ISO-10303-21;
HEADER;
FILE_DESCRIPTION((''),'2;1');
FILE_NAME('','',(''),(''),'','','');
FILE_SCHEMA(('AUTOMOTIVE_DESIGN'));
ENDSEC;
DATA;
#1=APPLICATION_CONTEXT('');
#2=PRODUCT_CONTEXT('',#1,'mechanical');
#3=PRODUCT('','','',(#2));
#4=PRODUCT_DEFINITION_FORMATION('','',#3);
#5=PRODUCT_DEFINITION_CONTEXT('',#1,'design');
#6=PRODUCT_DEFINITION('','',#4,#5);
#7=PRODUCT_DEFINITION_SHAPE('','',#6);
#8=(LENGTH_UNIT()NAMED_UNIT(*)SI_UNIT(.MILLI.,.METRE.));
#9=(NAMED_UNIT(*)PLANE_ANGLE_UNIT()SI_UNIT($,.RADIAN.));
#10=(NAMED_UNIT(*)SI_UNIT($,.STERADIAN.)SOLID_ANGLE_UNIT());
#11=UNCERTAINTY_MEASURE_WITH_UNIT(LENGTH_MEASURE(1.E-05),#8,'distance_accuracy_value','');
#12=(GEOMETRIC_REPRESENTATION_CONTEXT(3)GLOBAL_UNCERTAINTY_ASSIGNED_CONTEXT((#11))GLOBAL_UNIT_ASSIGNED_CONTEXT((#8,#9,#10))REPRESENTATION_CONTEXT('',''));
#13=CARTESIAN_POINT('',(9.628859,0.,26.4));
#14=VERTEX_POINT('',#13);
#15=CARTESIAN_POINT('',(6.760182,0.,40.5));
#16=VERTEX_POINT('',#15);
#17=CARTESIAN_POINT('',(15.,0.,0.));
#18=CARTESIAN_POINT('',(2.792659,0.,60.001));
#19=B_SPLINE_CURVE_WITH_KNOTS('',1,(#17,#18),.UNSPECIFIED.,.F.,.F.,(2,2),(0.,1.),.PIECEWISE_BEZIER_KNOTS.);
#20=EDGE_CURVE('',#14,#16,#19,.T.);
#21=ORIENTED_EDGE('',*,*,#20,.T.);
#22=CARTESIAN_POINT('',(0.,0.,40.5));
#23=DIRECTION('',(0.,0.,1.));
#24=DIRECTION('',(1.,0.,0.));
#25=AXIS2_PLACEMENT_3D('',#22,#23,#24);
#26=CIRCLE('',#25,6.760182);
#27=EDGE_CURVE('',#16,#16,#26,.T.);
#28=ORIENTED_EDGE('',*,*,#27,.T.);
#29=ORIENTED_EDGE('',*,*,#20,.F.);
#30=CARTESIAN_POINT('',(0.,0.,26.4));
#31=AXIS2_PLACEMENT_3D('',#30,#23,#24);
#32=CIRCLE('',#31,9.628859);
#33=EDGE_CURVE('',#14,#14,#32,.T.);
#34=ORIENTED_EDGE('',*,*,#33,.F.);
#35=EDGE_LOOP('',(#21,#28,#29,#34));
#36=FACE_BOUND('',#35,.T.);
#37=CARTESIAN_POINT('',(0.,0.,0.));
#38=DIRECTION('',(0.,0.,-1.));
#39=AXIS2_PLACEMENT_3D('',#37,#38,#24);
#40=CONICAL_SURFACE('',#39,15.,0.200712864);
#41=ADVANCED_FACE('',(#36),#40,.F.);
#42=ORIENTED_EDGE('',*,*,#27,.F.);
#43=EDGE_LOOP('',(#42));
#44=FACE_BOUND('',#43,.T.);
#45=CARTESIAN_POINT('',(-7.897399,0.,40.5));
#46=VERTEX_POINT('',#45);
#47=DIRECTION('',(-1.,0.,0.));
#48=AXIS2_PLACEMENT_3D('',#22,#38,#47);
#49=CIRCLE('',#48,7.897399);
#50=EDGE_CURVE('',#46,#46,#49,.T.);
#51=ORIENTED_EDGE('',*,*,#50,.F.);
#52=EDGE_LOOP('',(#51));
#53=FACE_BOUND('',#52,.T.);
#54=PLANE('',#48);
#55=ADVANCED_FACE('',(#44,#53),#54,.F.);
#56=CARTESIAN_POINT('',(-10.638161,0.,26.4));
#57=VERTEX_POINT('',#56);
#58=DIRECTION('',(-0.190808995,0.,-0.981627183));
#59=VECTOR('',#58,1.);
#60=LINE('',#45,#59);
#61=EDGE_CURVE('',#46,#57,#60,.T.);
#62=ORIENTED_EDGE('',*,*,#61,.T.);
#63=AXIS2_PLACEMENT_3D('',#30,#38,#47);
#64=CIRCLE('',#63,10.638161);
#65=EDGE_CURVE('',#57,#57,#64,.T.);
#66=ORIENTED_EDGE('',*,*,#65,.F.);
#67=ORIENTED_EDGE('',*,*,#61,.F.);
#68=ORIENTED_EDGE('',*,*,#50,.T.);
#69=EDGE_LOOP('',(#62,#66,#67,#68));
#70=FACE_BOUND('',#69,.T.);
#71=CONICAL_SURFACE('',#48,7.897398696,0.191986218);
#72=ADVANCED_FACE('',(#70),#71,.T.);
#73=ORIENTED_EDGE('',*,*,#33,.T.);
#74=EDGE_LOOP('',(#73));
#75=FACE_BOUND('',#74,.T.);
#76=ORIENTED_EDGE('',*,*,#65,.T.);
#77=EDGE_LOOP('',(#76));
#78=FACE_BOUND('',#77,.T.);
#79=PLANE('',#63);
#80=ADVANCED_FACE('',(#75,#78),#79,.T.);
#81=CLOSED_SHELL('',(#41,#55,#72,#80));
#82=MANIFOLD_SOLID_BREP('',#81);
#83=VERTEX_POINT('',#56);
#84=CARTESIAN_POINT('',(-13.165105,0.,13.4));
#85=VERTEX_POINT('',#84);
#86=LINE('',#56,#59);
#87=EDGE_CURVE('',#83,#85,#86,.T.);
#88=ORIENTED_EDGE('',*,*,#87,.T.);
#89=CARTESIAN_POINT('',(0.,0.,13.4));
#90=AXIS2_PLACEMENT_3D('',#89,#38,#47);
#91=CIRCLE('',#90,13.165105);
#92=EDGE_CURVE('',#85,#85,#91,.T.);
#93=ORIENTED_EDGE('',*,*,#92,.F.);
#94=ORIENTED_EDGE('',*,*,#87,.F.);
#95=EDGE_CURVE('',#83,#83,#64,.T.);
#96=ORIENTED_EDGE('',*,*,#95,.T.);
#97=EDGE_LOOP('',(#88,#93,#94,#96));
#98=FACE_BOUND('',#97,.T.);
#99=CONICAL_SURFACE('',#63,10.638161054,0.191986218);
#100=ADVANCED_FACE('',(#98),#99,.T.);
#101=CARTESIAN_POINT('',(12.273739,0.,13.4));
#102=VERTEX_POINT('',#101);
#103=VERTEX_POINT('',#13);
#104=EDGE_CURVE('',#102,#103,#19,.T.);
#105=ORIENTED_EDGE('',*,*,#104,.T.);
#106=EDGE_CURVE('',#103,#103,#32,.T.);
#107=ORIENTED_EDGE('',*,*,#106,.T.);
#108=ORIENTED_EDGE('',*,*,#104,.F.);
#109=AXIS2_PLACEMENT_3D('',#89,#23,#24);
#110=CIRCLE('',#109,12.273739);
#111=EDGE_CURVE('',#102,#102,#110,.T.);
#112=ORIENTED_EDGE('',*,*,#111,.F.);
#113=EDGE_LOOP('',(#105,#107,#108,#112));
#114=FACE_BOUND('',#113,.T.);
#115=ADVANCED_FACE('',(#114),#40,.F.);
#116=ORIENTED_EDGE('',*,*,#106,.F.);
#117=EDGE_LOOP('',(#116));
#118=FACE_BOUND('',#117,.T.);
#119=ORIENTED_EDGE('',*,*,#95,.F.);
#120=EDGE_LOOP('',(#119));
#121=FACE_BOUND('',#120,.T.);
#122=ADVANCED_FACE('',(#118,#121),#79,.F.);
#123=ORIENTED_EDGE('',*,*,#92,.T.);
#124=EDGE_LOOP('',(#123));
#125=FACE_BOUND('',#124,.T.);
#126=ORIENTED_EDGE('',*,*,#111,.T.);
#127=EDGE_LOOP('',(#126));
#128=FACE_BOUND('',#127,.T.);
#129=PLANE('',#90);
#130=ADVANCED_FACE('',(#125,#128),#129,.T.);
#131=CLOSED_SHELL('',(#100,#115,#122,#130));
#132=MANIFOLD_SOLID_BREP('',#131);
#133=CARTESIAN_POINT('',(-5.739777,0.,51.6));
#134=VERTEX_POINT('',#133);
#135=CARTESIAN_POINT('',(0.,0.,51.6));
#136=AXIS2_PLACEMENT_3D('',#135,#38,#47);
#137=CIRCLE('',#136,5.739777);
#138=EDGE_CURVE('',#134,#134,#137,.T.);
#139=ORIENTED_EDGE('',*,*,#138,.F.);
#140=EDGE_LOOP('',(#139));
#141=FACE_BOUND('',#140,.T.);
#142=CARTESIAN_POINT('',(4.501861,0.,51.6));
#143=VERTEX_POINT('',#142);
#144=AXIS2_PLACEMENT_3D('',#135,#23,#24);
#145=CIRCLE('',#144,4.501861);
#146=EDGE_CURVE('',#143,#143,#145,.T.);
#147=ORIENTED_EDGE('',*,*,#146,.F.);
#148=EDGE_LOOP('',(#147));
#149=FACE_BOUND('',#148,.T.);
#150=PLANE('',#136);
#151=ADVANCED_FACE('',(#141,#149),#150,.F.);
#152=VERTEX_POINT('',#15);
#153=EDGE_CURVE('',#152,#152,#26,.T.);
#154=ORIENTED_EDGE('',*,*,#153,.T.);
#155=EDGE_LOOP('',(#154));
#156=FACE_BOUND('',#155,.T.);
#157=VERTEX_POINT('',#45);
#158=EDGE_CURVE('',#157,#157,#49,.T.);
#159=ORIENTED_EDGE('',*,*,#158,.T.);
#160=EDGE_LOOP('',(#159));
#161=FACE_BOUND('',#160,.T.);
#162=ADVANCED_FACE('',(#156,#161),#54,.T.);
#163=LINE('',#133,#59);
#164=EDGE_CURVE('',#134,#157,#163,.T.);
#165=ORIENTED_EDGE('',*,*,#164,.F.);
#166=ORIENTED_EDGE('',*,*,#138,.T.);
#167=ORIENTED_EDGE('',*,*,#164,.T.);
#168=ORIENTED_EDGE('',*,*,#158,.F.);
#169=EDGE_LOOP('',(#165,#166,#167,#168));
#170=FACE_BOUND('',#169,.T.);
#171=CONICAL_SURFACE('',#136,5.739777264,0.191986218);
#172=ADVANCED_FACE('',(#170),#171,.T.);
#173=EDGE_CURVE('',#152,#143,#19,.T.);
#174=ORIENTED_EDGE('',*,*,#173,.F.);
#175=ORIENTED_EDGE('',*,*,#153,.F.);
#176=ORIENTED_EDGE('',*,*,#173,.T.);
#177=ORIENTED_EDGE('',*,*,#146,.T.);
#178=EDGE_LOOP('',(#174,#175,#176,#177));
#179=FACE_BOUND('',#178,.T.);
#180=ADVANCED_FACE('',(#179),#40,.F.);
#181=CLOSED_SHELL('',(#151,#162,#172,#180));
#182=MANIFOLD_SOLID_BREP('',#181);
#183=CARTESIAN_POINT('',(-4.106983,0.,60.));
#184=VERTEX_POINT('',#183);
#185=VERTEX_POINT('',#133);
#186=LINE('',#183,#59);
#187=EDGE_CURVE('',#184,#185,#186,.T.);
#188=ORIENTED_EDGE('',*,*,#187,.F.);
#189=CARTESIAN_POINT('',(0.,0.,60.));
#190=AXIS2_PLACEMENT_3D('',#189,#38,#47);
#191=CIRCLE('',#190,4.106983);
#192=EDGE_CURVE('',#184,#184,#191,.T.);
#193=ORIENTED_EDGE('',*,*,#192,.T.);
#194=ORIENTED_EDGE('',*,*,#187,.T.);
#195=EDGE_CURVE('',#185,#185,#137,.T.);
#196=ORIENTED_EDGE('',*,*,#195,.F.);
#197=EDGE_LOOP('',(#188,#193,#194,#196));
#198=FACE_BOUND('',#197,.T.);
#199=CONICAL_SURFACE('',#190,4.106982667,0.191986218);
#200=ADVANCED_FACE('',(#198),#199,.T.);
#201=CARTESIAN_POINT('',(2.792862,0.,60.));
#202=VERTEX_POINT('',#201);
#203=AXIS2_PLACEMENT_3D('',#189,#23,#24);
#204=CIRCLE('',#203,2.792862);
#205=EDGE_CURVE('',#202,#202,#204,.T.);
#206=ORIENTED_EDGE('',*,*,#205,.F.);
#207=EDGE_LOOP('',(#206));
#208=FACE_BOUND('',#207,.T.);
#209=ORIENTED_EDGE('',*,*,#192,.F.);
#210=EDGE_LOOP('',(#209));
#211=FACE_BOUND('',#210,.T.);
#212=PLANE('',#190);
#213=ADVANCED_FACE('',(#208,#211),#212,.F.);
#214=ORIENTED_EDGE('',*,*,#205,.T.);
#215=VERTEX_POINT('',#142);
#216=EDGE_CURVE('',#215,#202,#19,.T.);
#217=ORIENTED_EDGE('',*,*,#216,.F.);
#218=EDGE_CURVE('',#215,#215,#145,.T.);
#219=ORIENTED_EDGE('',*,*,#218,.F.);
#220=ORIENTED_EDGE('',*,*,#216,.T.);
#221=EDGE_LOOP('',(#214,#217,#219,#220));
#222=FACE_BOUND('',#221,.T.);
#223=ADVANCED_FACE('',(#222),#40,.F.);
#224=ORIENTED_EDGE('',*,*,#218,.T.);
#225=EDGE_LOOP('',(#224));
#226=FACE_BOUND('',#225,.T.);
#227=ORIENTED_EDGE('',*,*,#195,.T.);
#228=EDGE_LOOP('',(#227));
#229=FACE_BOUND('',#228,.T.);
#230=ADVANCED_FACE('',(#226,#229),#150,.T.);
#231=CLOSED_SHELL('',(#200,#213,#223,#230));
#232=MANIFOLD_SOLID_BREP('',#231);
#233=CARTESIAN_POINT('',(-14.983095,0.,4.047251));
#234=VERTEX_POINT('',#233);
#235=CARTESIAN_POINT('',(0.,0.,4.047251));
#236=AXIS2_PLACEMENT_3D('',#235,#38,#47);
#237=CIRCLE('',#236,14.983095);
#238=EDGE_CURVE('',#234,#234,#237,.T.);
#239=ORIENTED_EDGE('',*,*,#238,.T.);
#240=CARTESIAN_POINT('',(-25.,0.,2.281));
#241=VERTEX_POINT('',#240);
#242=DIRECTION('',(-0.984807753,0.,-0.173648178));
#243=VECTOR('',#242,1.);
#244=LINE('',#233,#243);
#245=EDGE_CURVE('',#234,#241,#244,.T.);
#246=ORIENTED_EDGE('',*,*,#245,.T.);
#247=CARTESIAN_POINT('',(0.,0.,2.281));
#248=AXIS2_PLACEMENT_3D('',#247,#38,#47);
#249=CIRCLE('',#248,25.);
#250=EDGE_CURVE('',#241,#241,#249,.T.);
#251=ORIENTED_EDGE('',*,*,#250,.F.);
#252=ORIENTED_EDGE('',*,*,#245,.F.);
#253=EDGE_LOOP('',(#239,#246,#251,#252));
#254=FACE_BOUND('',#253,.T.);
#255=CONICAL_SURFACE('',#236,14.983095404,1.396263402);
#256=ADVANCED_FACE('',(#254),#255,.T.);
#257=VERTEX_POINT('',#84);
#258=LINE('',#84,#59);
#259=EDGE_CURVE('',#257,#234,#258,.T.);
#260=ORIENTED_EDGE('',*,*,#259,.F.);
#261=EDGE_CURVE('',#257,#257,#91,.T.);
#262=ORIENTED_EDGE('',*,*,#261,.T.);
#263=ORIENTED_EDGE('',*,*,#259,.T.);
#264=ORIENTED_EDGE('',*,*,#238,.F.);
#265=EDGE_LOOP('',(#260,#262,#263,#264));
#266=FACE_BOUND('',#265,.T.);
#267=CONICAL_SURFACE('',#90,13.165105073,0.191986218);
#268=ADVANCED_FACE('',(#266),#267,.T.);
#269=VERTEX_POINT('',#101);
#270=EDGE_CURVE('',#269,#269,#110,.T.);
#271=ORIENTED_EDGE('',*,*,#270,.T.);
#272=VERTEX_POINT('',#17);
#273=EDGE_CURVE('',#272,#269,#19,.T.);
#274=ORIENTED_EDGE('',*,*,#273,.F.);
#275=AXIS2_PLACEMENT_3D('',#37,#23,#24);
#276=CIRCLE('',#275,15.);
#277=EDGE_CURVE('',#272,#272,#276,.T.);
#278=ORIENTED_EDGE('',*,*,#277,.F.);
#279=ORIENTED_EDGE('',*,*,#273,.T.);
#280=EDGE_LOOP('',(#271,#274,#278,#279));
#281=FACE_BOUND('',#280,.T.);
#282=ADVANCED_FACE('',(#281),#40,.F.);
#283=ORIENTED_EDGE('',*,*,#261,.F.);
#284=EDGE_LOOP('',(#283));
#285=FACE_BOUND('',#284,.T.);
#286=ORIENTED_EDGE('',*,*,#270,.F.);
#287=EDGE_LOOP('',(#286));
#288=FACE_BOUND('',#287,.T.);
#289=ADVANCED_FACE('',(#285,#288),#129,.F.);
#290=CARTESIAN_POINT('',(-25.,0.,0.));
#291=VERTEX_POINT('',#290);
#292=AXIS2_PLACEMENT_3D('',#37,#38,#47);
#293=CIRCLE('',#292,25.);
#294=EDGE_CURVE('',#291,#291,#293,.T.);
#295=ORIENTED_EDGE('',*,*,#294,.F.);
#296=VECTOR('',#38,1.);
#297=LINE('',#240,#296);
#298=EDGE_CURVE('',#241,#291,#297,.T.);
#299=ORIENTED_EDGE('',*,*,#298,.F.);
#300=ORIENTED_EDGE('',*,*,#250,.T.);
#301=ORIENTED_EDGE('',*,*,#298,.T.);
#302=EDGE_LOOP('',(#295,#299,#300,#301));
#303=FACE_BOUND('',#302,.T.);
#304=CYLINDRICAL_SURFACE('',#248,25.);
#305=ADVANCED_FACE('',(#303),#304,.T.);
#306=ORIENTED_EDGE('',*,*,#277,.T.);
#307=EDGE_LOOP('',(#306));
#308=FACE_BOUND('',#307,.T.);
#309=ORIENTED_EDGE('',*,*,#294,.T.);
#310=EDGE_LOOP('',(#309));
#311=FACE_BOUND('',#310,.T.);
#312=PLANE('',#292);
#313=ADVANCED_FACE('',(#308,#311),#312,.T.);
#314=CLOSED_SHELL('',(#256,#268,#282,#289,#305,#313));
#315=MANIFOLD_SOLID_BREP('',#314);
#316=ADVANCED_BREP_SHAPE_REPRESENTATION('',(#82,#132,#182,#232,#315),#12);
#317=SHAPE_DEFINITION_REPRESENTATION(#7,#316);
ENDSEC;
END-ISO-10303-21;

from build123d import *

# Parameters (mm, degrees)
F6_R     = 15
F7_DEPTH = 60.001
F7_TAPER = 11.5


with BuildPart() as f1:
    # F0 (on Front) → F1 (revolve)
    with BuildSketch(Plane.XZ):
        Polygon((-5.7397772641, 51.6), (0, 51.6), (0, 60), (-4.1069826674, 60), align=None)
    revolve(axis=Axis((0, 0, 30), (0, 0, -1)))


with BuildPart() as f2:
    # F0 (on Front) → F2 (revolve)
    with BuildSketch(Plane.XZ):
        Polygon((-7.8973986956, 40.5), (0, 40.5), (0, 51.6), (-5.7397772641, 51.6), align=None)
    revolve(axis=Axis((0, 0, 30), (0, 0, -1)))


with BuildPart() as f3:
    # F0 (on Front) → F3 (revolve)
    with BuildSketch(Plane.XZ):
        Polygon((-10.6381610544, 26.4), (0, 26.4), (0, 40.5), (-7.8973986956, 40.5), align=None)
    revolve(axis=Axis((0, 0, 30), (0, 0, -1)))


with BuildPart() as f4:
    # F0 (on Front) → F4 (revolve)
    with BuildSketch(Plane.XZ):
        Polygon((-13.1651050732, 13.4), (0, 13.4), (0, 26.4), (-10.6381610544, 26.4), align=None)
    revolve(axis=Axis((0, 0, 30), (0, 0, -1)))


with BuildPart() as f5:
    # F0 (on Front) → F5 (revolve)
    with BuildSketch(Plane.XZ):
        Polygon((-25, 0), (0, 0), (0, 13.4), (-13.1651050732, 13.4), (-14.9830954039, 4.0472505435), (-25, 2.281), align=None)
    revolve(axis=Axis((0, 0, 30), (0, 0, -1)))


with BuildPart() as f7_tool:
    # F6 (on face) → F7 (new body, through all)
    with BuildSketch(Plane(origin=(0, 0, 0), x_dir=(1, 0, 0), z_dir=(0, 0, -1))):
        Circle(F6_R)
    extrude(amount=-F7_DEPTH, taper=F7_TAPER)


with BuildPart() as f1_1:
    add(f1.part)

    # F7: cut by f7_tool
    add(f7_tool.part, mode=Mode.SUBTRACT)


with BuildPart() as f2_1:
    add(f2.part)

    # F7: cut by f7_tool
    add(f7_tool.part, mode=Mode.SUBTRACT)


with BuildPart() as f3_1:
    add(f3.part)

    # F7: cut by f7_tool
    add(f7_tool.part, mode=Mode.SUBTRACT)


with BuildPart() as f4_1:
    add(f4.part)

    # F7: cut by f7_tool
    add(f7_tool.part, mode=Mode.SUBTRACT)


with BuildPart() as f5_1:
    add(f5.part)

    # F7: cut by f7_tool
    add(f7_tool.part, mode=Mode.SUBTRACT)


solid = Compound([f1_1.part, f2_1.part, f3_1.part, f4_1.part, f5_1.part])
